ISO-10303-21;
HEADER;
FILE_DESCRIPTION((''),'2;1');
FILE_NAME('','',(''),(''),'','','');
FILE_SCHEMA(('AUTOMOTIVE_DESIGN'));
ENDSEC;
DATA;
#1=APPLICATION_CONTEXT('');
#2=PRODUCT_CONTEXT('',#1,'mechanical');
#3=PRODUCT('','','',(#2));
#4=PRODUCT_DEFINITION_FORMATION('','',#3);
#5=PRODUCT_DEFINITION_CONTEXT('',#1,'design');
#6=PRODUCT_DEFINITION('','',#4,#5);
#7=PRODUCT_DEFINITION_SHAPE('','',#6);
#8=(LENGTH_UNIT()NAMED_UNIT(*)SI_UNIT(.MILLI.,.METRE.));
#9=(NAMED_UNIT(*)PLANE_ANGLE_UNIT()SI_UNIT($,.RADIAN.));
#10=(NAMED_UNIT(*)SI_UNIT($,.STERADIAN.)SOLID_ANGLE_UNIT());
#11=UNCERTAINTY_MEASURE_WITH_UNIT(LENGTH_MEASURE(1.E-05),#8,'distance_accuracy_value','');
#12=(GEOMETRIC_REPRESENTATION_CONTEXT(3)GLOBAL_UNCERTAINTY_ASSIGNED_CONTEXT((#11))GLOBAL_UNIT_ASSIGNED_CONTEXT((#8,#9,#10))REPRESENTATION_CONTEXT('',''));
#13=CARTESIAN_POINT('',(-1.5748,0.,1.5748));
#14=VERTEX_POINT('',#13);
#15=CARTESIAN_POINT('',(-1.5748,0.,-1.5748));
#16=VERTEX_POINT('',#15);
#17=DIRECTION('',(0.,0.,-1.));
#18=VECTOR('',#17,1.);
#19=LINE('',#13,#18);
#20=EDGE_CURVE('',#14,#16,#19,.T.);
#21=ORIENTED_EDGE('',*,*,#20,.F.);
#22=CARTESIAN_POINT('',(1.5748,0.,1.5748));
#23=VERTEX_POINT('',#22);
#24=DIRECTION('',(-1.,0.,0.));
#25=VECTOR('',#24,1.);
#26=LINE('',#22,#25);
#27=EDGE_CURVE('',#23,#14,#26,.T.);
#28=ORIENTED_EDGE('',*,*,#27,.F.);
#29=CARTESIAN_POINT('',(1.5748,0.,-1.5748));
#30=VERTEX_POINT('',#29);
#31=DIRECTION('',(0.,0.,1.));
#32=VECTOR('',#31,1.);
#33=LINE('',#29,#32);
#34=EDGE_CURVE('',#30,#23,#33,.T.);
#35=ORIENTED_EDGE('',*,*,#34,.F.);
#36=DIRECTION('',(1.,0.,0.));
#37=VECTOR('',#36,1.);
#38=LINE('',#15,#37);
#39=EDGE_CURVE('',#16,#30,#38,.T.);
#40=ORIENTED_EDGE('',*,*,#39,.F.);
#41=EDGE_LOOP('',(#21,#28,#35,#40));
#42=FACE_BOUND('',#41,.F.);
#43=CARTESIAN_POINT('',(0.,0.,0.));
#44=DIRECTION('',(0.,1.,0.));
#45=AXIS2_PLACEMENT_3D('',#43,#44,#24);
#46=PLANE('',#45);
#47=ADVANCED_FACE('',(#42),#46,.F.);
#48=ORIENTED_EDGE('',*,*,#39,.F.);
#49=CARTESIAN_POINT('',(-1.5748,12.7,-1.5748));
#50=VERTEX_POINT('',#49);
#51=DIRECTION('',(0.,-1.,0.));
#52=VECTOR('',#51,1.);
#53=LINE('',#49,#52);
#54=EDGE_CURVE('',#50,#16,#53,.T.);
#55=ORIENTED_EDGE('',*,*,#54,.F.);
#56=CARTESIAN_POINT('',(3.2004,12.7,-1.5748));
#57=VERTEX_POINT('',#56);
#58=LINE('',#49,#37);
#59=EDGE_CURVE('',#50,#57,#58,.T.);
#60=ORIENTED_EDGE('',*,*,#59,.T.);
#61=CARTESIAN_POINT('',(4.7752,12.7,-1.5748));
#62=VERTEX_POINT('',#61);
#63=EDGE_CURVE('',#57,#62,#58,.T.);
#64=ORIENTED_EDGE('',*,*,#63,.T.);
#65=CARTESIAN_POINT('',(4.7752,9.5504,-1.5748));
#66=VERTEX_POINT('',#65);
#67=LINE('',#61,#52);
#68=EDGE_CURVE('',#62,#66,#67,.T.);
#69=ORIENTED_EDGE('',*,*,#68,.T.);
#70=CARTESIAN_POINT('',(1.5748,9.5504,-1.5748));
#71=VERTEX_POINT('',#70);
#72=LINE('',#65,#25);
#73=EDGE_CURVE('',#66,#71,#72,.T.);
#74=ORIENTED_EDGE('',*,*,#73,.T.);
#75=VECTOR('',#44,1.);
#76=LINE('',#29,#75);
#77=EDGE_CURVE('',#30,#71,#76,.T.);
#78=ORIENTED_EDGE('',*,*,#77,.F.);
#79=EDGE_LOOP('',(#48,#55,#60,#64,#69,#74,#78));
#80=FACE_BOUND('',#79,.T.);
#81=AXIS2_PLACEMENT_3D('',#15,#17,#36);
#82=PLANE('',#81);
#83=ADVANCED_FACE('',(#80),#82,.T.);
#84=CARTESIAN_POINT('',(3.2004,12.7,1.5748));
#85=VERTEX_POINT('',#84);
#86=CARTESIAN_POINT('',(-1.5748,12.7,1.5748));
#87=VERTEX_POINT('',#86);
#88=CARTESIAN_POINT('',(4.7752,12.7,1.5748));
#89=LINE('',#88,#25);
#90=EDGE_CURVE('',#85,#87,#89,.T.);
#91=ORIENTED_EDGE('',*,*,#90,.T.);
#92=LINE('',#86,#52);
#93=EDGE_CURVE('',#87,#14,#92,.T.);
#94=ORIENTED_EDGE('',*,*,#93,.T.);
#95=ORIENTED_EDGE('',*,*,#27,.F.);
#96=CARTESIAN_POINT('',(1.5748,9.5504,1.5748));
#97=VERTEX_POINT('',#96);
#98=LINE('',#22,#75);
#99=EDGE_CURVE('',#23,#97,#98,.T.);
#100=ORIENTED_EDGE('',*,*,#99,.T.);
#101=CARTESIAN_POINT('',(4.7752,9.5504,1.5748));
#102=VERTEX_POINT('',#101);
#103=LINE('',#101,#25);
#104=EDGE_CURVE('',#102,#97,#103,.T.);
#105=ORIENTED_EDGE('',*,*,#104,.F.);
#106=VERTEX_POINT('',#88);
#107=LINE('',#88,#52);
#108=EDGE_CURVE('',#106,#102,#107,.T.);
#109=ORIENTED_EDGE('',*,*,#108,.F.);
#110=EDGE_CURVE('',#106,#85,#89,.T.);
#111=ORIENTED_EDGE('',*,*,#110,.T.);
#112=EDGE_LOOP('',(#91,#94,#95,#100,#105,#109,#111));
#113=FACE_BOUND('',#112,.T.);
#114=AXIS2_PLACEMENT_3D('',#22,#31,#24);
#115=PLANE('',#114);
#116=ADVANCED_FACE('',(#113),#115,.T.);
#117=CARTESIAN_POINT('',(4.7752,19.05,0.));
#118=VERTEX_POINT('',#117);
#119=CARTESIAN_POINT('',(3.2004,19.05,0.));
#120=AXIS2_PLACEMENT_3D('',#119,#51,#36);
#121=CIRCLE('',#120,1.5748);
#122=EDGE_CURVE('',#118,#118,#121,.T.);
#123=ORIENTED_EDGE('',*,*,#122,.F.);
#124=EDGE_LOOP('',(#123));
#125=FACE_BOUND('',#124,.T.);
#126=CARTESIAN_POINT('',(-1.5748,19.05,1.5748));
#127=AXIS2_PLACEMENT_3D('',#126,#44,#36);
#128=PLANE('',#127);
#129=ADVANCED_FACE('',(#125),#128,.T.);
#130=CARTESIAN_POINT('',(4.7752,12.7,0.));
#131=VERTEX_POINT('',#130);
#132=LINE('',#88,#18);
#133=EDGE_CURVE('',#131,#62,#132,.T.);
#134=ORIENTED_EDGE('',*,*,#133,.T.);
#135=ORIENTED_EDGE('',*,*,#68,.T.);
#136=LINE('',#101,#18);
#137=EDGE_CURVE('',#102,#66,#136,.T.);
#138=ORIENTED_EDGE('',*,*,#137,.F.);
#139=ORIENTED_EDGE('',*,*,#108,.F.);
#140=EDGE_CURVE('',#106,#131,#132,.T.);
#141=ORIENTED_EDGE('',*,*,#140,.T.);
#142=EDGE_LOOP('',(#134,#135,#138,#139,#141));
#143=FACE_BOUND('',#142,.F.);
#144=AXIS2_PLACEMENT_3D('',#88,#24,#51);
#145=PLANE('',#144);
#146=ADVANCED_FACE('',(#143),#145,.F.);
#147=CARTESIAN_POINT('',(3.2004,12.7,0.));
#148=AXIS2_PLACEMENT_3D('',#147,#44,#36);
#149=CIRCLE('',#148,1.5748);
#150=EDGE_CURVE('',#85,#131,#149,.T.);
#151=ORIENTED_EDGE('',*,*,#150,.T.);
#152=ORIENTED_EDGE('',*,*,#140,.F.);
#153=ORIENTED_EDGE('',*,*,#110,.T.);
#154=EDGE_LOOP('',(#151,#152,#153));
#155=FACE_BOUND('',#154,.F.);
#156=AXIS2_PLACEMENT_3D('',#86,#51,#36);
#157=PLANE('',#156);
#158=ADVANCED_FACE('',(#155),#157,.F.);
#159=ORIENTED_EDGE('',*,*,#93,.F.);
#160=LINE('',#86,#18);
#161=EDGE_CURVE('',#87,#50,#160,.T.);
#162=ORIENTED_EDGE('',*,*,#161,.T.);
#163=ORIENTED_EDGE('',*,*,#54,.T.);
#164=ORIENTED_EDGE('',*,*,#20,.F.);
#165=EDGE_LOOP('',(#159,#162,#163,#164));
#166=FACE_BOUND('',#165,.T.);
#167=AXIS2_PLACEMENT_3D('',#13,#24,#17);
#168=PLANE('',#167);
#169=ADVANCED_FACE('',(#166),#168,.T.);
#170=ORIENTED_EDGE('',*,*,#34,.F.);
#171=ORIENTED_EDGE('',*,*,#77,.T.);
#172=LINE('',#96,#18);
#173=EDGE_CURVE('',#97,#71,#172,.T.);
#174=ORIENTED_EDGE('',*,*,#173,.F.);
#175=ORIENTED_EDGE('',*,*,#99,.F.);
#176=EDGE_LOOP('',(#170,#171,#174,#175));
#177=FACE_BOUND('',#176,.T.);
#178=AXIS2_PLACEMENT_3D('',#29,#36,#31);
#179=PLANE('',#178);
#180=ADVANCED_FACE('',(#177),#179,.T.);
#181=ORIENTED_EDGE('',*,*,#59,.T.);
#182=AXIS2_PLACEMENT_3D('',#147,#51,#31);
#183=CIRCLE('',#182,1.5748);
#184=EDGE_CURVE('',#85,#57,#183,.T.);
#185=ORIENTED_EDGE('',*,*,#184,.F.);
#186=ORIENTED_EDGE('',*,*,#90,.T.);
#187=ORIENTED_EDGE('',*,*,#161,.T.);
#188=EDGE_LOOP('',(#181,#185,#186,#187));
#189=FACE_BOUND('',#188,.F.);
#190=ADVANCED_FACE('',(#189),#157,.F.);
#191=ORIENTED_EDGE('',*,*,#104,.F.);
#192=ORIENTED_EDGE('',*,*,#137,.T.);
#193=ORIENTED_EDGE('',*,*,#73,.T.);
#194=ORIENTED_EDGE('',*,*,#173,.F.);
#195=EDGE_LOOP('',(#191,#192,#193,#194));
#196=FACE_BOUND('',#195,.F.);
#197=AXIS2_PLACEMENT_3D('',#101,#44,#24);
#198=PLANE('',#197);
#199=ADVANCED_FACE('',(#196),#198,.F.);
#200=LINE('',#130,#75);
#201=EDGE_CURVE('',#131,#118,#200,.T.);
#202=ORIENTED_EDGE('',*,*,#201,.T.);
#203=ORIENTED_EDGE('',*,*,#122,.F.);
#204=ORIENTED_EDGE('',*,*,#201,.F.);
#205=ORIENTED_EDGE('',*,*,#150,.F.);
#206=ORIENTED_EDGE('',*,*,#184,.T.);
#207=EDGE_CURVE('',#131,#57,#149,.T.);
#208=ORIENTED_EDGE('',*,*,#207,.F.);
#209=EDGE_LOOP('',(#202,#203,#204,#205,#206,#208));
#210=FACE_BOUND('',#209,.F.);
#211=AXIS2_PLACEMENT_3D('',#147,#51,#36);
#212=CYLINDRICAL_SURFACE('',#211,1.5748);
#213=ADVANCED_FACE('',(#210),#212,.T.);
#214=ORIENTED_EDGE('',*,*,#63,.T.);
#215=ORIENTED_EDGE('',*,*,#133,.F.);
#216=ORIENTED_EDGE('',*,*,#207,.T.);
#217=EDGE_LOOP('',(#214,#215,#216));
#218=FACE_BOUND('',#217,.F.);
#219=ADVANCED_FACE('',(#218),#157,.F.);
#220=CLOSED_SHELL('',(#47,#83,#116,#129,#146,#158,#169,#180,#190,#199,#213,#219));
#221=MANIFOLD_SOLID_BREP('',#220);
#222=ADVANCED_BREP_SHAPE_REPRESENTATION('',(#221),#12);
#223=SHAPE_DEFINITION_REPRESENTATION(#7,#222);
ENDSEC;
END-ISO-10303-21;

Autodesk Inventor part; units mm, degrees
ref_plane "YZ Plane" through (0, 0, 0) normal (1, 0, 0) x (0, 1, 0)
ref_plane "XZ Plane" through (0, 0, 0) normal (0, 1, 0) x (-1, 0, 0)
ref_plane "XY Plane" through (0, 0, 0) normal (0, 0, 1) x (1, 0, 0)
sketch "Sketch1" plane through (0, 0, 0) normal (0, 1, 0) x (-1, 0, 0)
  line L0 (-1.5748, 1.5748) -> (1.5748, 1.5748)
  line L1 (1.5748, 1.5748) -> (1.5748, -1.5748)
  line L2 (1.5748, -1.5748) -> (-1.5748, -1.5748)
  line L3 (-1.5748, -1.5748) -> (-1.5748, 1.5748)
  line L4 (-1.5748, 1.5748) -> (1.5748, -1.5748) construction
  line L5 (1.5748, 1.5748) -> (-1.5748, -1.5748) construction
  point P0 (0, 0)
  dimension "d0" = 3.1496
  dimension "d1" = 3.1496
extrude "Extrusion1" add sketch "Sketch1" along normal blind 6.35
sketch "Sketch2" plane through (-1.5748, 0, 1.5748) normal (0, 0, 1) x (1, 0, 0)
  line L0 (3.1496, 0) -> (0, 0) projected
  line L1 (3.1496, 0) -> (0, 0)
  line L2 (0, 0) -> (0, 12.7)
  line L3 (0, 12.7) -> (3.1496, 12.7)
  line L4 (3.1496, 12.7) -> (3.1496, 0)
  line L5 (0, 12.7) -> (6.35, 12.7)
  line L6 (6.35, 12.7) -> (6.35, 9.5504)
  line L7 (6.35, 9.5504) -> (0, 9.5504)
  line L8 (0, 9.5504) -> (0, 12.7)
  point P0 (1.5748, 0)
  point P1 (3.1496, 9.5504)
  dimension "d4" = 12.7
  dimension "d5" = 6.35
  dimension "d6" = 3.1496
extrude "Extrusion2" add sketch "Sketch2" against normal blind 3.1496
sketch "Sketch3" plane through (-1.5748, 12.7, 1.5748) normal (0, 1, 0) x (1, 0, 0)
  line L0 (0, 3.1496) -> (6.35, 3.1496) projected
  line L1 (6.35, 3.1496) -> (3.2004, 3.1496)
  line L2 (3.2004, 3.1496) -> (3.2004, 0)
  line L3 (3.2004, 0) -> (6.35, 0)
  line L4 (6.35, 0) -> (6.35, 3.1496)
  circle A0 centre (4.7752, 1.5748) radius 1.5748
  point P0 (1.5748, 1.5748)
  dimension "d9" = 3.1496
  dimension "d10" = 3.1496
extrude "Extrusion3" add sketch "Sketch3" along normal blind 6.35 contours A0
properties part number "Handle"
